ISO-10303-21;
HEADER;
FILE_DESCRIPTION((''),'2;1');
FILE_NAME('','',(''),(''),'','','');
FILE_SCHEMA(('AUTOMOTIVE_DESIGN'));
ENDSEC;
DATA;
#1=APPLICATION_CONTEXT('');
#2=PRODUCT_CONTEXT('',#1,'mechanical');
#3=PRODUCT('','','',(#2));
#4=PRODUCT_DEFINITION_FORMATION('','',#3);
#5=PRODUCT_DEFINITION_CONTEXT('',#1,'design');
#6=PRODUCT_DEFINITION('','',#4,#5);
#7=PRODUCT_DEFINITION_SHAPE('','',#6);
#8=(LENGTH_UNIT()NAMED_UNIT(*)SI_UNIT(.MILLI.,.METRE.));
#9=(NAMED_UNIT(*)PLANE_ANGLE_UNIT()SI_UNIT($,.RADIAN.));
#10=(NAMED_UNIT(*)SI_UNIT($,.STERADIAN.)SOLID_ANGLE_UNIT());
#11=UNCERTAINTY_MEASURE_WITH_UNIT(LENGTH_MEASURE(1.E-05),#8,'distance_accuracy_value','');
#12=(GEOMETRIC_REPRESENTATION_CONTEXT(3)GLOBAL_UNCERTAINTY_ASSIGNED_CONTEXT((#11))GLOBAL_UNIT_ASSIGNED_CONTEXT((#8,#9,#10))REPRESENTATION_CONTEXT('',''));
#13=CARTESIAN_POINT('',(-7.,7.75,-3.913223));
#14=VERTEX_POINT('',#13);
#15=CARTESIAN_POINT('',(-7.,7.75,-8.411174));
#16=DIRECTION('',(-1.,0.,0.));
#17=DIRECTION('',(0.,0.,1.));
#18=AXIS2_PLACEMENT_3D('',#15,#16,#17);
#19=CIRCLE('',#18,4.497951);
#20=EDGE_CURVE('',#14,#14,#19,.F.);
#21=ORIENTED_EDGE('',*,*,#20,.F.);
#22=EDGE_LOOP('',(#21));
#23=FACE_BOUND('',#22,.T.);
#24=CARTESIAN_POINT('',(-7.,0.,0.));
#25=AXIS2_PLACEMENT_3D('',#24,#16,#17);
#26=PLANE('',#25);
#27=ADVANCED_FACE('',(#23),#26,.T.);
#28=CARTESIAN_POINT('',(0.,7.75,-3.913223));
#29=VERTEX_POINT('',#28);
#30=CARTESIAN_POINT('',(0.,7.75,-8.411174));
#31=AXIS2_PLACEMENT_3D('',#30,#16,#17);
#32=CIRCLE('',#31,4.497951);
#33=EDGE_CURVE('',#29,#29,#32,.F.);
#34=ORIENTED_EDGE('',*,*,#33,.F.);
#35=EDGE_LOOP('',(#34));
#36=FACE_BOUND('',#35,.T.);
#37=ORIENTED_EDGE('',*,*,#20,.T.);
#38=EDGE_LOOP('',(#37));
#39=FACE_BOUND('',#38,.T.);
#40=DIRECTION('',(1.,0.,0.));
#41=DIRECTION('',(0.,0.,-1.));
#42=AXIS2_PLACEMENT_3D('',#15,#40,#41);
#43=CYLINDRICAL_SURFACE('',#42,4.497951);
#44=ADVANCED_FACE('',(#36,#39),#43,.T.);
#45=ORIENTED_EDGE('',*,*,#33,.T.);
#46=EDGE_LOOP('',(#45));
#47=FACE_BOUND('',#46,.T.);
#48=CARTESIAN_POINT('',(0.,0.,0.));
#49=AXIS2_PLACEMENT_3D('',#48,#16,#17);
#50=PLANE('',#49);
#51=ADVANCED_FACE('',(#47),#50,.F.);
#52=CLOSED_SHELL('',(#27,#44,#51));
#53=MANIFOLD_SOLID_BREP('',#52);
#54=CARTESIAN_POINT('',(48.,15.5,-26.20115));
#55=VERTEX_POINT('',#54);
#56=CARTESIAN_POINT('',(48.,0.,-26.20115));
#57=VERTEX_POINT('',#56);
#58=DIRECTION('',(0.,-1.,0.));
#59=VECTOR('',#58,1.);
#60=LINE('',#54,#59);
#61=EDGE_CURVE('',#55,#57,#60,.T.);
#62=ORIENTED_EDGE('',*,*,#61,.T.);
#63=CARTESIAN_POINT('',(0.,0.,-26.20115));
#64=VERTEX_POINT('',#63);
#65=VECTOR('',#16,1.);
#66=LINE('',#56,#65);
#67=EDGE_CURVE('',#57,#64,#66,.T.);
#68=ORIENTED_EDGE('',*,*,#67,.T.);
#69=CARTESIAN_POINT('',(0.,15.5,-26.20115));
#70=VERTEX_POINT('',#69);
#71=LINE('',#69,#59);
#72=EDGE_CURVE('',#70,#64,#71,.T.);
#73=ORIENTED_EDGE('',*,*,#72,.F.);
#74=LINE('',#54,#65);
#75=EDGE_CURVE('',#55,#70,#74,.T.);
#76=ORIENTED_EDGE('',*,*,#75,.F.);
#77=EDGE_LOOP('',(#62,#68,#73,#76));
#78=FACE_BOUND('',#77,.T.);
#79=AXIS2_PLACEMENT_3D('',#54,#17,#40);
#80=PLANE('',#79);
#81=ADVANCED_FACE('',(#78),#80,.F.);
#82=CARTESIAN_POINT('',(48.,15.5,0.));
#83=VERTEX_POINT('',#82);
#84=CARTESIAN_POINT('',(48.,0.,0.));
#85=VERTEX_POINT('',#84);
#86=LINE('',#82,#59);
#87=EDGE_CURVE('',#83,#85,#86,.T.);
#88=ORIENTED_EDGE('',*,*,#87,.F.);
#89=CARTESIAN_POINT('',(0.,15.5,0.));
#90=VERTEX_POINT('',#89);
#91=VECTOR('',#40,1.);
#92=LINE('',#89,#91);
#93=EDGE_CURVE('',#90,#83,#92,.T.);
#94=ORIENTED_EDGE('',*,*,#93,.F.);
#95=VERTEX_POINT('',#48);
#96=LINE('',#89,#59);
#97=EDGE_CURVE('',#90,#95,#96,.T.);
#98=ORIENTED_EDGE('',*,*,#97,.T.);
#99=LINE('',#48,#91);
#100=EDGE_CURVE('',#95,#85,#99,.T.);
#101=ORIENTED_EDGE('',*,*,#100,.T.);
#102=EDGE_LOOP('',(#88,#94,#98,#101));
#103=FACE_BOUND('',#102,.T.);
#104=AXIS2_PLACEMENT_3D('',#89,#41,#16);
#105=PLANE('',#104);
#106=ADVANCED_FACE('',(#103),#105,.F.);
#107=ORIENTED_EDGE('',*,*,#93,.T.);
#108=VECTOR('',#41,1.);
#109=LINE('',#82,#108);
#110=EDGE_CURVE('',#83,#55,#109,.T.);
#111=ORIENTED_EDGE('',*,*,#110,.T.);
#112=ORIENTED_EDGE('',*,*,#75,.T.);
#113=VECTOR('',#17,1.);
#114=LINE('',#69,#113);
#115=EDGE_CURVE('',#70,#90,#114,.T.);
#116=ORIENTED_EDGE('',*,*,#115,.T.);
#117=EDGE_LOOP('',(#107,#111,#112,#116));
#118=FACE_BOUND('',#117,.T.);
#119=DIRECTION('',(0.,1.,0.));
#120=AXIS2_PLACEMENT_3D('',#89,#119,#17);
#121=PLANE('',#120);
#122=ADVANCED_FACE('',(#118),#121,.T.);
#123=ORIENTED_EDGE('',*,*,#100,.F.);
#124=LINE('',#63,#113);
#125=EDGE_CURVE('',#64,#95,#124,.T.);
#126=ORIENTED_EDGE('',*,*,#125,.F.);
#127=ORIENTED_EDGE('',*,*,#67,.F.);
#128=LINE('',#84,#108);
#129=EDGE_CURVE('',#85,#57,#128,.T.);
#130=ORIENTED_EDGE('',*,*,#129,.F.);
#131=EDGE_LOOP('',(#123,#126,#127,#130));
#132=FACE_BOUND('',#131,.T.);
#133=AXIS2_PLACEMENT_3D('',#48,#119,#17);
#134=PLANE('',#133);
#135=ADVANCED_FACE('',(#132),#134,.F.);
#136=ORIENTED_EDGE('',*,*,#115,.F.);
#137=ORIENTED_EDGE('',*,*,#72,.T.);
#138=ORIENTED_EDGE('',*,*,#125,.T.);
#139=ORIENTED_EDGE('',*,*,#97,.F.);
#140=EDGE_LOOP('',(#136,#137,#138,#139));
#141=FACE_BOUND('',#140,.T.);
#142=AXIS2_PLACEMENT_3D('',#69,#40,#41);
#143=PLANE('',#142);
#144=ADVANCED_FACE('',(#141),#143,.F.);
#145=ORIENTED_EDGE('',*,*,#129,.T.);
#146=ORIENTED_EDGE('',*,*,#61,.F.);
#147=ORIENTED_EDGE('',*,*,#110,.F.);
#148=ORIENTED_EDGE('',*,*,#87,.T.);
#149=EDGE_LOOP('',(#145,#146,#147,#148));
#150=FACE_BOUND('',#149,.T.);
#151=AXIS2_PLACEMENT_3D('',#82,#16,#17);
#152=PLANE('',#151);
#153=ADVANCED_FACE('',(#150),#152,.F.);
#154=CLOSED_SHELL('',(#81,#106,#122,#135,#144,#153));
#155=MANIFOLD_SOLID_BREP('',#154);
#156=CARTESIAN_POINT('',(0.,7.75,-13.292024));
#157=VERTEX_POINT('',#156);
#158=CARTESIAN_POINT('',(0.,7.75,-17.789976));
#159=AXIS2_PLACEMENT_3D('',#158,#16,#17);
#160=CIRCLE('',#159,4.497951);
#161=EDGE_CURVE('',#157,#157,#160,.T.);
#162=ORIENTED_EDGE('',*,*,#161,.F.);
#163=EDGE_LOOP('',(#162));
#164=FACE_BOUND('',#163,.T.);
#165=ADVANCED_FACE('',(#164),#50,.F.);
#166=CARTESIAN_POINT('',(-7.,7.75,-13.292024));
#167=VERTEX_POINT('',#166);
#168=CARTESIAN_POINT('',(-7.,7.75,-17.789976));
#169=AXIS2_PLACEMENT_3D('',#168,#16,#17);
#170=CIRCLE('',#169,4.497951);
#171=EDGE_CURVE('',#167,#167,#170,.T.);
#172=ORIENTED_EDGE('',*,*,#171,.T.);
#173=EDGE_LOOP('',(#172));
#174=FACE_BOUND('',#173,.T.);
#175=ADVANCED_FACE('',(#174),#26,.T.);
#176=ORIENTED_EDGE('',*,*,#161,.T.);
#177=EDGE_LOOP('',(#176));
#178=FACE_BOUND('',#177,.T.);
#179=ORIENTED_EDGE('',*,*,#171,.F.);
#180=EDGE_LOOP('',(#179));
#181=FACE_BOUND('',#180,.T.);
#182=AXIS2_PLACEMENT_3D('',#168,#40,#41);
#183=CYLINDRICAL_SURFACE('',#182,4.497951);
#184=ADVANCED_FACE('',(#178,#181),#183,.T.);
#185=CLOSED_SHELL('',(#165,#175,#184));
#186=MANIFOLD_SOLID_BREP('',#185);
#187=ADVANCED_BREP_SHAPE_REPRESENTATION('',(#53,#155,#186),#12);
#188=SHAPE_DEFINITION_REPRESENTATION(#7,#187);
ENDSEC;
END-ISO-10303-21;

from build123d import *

# Parameters (mm, degrees)
SKETCH1_W           = 48
SKETCH1_H           = 26.201150123
BOSS_EXTRUDE1_DEPTH = 15.5
BOSS_EXTRUDE2_DEPTH = 7


with BuildPart() as part:
    # Sketch1 → Boss-Extrude1 (new body)
    with BuildSketch(Plane(origin=(0, 0, 0), x_dir=(1, 0, 0), z_dir=(0, 1, 0))):
        with Locations((24, 13.100575062)):
            Rectangle(SKETCH1_W, SKETCH1_H)
    extrude(amount=BOSS_EXTRUDE1_DEPTH)


with BuildPart() as body_2:
    # Sketch2 → Boss-Extrude2 (new body)
    with BuildSketch(Plane.ZY):
        with BuildLine():
            ThreePointArc((-13.292024285, 7.75), (-17.789975763, 12.247951478), (-22.287927242, 7.75))
            Line((-22.287927242, 7.75), (-13.292024285, 7.75))
        make_face()
        with BuildLine():
            Line((-13.292024285, 7.75), (-22.287927242, 7.75))
            ThreePointArc((-22.287927242, 7.75), (-17.789975763, 3.252048522), (-13.292024285, 7.75))
        make_face()
        with BuildLine():
            ThreePointArc((-3.913222881, 7.75), (-8.411174359, 12.247951478), (-12.909125838, 7.75))
            Line((-12.909125838, 7.75), (-3.913222881, 7.75))
        make_face()
        with BuildLine():
            Line((-3.913222881, 7.75), (-12.909125838, 7.75))
            ThreePointArc((-12.909125838, 7.75), (-8.411174359, 3.252048522), (-3.913222881, 7.75))
        make_face()
    extrude(amount=BOSS_EXTRUDE2_DEPTH)


solid = Compound([part.part, body_2.part])
